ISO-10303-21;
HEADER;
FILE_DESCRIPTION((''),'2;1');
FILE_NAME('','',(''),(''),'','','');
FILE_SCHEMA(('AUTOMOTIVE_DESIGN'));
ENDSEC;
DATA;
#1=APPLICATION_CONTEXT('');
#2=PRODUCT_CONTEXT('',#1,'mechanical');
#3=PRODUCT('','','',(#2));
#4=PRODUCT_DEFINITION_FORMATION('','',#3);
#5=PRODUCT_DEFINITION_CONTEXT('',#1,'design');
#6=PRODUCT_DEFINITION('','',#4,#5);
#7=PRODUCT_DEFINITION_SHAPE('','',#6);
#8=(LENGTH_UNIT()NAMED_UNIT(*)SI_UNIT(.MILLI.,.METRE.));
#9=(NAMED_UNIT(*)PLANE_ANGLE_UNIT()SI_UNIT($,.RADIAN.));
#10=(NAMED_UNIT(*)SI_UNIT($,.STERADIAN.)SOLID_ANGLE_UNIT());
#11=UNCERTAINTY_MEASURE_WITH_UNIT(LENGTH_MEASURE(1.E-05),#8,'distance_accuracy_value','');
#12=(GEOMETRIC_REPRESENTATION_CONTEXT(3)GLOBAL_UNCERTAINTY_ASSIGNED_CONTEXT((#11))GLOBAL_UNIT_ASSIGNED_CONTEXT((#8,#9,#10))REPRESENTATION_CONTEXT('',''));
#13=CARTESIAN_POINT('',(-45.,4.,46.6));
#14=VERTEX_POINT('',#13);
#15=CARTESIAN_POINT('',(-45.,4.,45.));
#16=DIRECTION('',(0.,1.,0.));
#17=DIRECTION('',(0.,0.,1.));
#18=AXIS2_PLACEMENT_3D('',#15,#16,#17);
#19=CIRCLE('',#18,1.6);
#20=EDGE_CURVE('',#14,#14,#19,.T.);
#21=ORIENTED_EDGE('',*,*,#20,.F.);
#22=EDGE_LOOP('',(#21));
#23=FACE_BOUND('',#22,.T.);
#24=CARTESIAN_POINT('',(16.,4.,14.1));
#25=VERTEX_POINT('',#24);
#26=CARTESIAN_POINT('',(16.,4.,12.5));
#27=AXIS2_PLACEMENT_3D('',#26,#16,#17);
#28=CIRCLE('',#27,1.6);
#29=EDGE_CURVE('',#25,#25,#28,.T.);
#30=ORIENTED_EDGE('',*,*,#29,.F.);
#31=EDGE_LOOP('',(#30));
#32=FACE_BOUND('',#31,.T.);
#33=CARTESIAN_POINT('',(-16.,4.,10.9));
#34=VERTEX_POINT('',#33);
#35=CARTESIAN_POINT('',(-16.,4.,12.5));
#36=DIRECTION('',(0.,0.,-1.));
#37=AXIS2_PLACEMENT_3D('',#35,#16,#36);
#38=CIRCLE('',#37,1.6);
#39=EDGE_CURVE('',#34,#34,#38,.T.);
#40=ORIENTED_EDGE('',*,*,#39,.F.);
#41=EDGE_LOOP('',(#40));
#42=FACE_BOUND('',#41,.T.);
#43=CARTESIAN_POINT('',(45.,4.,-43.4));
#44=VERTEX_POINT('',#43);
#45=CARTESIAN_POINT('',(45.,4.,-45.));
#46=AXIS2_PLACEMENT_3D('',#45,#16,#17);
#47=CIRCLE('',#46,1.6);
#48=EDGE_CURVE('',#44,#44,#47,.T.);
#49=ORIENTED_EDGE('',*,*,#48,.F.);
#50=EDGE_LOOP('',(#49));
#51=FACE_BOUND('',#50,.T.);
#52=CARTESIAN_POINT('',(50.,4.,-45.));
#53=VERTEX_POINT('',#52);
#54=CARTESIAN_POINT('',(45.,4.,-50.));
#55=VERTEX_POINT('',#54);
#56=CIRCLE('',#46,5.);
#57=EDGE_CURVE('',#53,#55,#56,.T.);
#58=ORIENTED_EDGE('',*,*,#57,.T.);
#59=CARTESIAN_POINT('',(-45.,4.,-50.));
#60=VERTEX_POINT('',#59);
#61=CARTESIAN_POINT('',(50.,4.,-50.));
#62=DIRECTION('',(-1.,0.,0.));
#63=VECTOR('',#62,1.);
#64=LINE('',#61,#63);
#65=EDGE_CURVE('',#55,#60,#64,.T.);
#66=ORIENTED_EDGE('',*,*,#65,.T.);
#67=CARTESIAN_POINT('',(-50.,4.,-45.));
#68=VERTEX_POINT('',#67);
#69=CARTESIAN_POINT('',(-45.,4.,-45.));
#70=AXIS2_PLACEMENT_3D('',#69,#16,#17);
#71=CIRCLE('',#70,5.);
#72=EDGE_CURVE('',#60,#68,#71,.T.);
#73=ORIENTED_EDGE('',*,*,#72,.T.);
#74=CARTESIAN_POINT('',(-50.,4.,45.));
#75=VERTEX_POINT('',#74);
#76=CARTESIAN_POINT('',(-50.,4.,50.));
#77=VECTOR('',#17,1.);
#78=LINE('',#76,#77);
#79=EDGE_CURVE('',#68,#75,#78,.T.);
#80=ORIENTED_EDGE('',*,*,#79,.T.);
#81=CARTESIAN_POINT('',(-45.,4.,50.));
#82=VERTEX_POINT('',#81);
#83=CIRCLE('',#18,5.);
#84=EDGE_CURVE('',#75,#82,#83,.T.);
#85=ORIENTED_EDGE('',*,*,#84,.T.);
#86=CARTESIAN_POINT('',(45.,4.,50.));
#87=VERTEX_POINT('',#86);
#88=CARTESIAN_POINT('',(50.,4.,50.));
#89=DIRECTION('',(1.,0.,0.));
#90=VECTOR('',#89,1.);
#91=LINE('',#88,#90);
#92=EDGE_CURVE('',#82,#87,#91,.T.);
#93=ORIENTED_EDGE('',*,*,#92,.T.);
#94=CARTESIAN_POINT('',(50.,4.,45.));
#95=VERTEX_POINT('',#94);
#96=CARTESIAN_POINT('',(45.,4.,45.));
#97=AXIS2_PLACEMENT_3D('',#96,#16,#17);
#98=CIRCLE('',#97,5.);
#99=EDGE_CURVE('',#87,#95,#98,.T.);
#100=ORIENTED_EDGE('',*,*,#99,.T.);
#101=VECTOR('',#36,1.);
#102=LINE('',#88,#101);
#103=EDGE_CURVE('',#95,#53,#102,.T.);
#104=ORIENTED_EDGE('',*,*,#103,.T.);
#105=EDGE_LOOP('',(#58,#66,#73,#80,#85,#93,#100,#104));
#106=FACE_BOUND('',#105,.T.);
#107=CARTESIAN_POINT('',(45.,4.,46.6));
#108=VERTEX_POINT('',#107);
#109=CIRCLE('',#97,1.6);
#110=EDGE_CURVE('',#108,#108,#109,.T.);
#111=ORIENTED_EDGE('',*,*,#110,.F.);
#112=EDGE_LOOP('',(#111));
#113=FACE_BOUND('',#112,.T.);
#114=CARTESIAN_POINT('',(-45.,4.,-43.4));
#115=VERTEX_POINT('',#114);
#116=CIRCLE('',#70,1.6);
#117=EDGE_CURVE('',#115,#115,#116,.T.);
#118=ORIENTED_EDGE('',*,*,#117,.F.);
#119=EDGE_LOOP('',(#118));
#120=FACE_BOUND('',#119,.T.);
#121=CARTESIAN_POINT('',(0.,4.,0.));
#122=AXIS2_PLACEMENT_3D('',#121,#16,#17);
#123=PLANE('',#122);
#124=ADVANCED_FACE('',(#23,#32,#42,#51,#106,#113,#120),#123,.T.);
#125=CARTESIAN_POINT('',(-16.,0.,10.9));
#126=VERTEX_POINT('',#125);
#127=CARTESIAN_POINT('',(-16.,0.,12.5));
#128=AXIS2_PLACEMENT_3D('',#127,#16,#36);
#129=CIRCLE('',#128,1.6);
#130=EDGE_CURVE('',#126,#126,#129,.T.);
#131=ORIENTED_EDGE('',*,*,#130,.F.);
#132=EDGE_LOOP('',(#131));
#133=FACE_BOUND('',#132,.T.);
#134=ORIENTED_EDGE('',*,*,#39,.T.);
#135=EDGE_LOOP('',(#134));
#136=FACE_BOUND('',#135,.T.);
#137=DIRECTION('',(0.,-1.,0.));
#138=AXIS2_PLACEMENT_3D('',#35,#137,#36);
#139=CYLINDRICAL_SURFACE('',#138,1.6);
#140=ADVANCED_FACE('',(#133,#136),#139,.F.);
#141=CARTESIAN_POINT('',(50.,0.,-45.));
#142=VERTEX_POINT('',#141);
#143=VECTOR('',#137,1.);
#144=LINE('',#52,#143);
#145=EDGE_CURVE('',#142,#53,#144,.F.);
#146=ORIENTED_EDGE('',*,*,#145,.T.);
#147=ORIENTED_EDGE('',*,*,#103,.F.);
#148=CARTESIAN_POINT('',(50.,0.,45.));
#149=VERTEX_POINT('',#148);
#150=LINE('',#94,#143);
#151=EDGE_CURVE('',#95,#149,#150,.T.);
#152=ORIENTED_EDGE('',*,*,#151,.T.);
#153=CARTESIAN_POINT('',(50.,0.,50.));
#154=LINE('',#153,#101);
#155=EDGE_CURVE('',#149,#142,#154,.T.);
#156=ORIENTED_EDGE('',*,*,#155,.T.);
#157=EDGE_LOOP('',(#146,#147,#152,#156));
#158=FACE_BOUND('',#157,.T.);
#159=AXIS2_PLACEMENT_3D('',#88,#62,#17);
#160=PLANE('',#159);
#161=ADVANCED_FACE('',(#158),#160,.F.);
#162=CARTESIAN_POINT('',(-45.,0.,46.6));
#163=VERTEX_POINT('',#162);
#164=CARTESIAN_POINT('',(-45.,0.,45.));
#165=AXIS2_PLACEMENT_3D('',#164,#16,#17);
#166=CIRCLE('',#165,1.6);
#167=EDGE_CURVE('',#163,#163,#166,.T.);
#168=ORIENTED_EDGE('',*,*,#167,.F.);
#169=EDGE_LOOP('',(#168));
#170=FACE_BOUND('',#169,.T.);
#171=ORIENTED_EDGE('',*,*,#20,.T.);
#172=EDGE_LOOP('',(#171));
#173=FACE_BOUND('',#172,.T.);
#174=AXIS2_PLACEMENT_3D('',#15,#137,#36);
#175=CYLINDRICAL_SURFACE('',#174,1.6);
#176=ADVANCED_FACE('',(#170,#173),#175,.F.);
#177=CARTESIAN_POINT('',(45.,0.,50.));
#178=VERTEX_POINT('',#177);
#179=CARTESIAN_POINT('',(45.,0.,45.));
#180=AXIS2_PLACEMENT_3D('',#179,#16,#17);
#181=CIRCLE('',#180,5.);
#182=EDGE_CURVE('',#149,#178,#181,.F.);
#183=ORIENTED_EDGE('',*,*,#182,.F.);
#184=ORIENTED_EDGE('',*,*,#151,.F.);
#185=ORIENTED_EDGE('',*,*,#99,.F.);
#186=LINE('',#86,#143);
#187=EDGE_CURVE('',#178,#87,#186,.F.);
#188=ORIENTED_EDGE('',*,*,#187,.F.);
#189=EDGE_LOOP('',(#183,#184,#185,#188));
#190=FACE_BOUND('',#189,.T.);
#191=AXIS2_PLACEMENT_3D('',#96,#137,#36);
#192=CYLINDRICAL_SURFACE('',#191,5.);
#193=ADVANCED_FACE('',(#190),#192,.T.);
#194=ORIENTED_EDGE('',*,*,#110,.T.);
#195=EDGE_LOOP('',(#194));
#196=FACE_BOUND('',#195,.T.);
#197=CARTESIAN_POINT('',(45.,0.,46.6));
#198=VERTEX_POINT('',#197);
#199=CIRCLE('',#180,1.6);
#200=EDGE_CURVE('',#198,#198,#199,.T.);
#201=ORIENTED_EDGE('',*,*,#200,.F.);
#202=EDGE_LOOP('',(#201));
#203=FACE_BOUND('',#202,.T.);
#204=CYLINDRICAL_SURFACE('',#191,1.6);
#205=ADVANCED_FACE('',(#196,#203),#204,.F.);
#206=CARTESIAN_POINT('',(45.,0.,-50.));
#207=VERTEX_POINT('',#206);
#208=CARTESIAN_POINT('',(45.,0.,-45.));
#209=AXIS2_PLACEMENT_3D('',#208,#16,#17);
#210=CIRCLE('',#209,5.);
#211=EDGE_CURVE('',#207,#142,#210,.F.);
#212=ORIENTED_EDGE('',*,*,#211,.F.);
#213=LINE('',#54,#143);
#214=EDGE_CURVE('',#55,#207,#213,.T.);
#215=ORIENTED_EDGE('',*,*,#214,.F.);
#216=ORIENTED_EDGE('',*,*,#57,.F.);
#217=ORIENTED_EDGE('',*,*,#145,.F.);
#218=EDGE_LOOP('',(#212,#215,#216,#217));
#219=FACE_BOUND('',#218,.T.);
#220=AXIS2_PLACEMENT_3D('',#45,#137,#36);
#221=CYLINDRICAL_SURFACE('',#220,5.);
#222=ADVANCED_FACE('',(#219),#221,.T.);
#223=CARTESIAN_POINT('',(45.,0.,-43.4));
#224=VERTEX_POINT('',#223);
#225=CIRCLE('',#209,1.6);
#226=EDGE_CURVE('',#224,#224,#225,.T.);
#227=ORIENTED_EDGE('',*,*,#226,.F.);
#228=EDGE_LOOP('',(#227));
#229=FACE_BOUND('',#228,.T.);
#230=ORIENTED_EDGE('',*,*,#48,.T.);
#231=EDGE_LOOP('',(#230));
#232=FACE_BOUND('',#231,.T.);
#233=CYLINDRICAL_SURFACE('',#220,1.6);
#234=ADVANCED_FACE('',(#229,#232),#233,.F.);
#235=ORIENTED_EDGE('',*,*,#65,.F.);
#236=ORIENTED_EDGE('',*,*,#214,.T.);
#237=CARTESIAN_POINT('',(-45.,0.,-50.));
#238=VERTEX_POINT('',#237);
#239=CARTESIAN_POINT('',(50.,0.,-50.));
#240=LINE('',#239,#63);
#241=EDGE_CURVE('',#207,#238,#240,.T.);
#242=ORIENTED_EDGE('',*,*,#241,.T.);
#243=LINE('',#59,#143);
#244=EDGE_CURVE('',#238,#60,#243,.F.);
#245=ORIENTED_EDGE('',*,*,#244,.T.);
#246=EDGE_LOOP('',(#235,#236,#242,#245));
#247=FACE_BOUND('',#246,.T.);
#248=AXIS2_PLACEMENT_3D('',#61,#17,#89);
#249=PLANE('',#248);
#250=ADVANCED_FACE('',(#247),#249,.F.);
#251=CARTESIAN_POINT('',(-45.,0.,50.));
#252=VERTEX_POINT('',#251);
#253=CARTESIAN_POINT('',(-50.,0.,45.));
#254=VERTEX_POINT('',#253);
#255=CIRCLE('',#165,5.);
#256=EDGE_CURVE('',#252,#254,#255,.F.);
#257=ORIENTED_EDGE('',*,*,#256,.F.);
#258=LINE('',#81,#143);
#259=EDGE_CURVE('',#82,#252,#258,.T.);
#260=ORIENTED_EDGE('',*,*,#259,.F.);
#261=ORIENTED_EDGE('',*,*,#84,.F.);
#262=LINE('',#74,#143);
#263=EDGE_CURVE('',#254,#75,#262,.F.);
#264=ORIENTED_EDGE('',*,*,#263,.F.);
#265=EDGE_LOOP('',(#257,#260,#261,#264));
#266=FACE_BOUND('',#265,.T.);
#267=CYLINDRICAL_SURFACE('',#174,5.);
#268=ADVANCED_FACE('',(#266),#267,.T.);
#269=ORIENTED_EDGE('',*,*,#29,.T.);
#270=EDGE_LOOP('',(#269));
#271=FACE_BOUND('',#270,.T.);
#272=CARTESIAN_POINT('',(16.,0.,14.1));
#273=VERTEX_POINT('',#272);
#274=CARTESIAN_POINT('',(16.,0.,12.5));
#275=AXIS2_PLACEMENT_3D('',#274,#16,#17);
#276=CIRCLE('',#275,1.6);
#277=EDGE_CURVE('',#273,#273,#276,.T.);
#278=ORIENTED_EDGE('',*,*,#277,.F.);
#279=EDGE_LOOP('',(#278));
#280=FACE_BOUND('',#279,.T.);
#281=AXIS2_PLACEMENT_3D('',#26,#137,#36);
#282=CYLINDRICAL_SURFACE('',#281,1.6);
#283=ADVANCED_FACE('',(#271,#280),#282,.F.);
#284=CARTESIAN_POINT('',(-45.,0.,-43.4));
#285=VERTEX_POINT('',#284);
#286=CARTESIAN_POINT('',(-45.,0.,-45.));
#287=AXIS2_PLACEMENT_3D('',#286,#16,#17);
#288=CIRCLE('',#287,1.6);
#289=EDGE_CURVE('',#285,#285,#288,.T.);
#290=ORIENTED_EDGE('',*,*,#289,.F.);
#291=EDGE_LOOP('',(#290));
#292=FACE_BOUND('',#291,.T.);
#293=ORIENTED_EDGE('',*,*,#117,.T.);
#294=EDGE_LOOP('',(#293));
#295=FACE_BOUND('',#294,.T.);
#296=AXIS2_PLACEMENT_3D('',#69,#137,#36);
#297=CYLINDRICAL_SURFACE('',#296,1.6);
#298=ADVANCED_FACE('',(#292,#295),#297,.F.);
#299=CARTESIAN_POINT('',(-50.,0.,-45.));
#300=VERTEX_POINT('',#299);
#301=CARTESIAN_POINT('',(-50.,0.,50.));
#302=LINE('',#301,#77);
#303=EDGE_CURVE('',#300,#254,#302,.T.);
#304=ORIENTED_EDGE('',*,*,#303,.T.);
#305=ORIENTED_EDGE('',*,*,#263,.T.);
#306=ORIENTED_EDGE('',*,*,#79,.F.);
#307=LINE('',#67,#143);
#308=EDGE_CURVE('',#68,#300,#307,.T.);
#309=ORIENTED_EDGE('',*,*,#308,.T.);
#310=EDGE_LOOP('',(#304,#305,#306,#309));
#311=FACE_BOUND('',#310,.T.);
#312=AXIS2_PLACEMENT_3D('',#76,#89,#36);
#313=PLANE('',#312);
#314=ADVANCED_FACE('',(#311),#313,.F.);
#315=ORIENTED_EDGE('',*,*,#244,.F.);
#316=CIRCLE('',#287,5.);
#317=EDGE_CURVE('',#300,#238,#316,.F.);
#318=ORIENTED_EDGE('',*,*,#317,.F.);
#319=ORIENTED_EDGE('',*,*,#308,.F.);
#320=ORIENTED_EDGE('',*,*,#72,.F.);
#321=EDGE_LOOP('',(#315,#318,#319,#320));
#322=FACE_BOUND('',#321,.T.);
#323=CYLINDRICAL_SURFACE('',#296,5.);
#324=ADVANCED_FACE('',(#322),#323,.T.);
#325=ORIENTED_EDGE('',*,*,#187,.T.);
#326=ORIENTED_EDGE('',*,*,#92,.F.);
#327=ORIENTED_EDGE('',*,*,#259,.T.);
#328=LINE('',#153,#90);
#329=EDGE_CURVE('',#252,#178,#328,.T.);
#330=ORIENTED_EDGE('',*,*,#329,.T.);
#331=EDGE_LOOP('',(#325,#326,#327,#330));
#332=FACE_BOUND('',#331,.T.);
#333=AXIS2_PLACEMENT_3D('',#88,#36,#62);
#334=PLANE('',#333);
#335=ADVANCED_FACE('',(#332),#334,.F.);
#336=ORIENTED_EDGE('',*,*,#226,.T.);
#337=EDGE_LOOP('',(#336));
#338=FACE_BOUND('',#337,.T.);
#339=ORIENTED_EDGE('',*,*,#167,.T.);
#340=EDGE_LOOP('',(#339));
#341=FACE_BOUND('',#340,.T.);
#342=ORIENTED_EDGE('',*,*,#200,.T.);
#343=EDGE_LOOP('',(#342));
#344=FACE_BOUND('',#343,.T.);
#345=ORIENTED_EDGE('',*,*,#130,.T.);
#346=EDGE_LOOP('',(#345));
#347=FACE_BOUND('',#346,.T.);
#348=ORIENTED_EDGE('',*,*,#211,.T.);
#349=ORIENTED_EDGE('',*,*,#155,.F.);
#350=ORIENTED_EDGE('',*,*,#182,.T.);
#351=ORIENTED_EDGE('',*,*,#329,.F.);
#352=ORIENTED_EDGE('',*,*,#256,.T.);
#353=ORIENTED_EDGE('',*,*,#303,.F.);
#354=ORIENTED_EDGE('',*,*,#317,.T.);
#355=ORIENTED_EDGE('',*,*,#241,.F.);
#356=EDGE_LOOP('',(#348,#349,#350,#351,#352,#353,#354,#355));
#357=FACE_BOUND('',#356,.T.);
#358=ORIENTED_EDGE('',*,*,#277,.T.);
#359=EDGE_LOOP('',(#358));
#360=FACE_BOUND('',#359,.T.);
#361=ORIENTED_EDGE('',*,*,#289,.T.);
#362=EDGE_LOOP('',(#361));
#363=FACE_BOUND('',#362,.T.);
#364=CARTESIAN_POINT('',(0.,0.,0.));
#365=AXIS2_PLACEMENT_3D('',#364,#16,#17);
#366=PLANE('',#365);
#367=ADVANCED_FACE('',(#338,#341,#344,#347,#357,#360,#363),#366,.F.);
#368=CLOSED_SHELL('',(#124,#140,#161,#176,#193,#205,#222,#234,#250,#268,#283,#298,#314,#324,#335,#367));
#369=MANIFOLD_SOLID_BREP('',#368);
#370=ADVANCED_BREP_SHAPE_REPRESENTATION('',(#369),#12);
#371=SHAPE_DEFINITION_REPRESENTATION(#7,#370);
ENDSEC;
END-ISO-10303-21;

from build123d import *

# Parameters (mm, degrees)
SKETCH1_W           = 100
SKETCH1_H           = 100
SKETCH1_R           = 1.6
BOSS_EXTRUDE1_DEPTH = 4
FILLET1_R           = 5


with BuildPart() as part:
    # Sketch1 → Boss-Extrude1 (new body)
    with BuildSketch(Plane(origin=(0, 0, 0), x_dir=(1, 0, 0), z_dir=(0, 1, 0))):
        Rectangle(SKETCH1_W, SKETCH1_H)
        with Locations((-45, 45)):
            Circle(SKETCH1_R, mode=Mode.SUBTRACT)
        with Locations((45, 45)):
            Circle(SKETCH1_R, mode=Mode.SUBTRACT)
        with Locations((45, -45)):
            Circle(SKETCH1_R, mode=Mode.SUBTRACT)
        with Locations((-45, -45)):
            Circle(SKETCH1_R, mode=Mode.SUBTRACT)
        with Locations((16, -12.5)):
            Circle(SKETCH1_R, mode=Mode.SUBTRACT)
        with Locations((-16, -12.5)):
            Circle(SKETCH1_R, mode=Mode.SUBTRACT)
    extrude(amount=BOSS_EXTRUDE1_DEPTH)

    # Fillet1
    fillet1_edges = [part.edges().sort_by_distance(p)[0] for p in [
        (-50, 2, -50),
        (50, 2, -50),
        (50, 2, 50),
        (-50, 2, 50),
    ]]
    fillet(fillet1_edges, radius=FILLET1_R)


solid = part.part
